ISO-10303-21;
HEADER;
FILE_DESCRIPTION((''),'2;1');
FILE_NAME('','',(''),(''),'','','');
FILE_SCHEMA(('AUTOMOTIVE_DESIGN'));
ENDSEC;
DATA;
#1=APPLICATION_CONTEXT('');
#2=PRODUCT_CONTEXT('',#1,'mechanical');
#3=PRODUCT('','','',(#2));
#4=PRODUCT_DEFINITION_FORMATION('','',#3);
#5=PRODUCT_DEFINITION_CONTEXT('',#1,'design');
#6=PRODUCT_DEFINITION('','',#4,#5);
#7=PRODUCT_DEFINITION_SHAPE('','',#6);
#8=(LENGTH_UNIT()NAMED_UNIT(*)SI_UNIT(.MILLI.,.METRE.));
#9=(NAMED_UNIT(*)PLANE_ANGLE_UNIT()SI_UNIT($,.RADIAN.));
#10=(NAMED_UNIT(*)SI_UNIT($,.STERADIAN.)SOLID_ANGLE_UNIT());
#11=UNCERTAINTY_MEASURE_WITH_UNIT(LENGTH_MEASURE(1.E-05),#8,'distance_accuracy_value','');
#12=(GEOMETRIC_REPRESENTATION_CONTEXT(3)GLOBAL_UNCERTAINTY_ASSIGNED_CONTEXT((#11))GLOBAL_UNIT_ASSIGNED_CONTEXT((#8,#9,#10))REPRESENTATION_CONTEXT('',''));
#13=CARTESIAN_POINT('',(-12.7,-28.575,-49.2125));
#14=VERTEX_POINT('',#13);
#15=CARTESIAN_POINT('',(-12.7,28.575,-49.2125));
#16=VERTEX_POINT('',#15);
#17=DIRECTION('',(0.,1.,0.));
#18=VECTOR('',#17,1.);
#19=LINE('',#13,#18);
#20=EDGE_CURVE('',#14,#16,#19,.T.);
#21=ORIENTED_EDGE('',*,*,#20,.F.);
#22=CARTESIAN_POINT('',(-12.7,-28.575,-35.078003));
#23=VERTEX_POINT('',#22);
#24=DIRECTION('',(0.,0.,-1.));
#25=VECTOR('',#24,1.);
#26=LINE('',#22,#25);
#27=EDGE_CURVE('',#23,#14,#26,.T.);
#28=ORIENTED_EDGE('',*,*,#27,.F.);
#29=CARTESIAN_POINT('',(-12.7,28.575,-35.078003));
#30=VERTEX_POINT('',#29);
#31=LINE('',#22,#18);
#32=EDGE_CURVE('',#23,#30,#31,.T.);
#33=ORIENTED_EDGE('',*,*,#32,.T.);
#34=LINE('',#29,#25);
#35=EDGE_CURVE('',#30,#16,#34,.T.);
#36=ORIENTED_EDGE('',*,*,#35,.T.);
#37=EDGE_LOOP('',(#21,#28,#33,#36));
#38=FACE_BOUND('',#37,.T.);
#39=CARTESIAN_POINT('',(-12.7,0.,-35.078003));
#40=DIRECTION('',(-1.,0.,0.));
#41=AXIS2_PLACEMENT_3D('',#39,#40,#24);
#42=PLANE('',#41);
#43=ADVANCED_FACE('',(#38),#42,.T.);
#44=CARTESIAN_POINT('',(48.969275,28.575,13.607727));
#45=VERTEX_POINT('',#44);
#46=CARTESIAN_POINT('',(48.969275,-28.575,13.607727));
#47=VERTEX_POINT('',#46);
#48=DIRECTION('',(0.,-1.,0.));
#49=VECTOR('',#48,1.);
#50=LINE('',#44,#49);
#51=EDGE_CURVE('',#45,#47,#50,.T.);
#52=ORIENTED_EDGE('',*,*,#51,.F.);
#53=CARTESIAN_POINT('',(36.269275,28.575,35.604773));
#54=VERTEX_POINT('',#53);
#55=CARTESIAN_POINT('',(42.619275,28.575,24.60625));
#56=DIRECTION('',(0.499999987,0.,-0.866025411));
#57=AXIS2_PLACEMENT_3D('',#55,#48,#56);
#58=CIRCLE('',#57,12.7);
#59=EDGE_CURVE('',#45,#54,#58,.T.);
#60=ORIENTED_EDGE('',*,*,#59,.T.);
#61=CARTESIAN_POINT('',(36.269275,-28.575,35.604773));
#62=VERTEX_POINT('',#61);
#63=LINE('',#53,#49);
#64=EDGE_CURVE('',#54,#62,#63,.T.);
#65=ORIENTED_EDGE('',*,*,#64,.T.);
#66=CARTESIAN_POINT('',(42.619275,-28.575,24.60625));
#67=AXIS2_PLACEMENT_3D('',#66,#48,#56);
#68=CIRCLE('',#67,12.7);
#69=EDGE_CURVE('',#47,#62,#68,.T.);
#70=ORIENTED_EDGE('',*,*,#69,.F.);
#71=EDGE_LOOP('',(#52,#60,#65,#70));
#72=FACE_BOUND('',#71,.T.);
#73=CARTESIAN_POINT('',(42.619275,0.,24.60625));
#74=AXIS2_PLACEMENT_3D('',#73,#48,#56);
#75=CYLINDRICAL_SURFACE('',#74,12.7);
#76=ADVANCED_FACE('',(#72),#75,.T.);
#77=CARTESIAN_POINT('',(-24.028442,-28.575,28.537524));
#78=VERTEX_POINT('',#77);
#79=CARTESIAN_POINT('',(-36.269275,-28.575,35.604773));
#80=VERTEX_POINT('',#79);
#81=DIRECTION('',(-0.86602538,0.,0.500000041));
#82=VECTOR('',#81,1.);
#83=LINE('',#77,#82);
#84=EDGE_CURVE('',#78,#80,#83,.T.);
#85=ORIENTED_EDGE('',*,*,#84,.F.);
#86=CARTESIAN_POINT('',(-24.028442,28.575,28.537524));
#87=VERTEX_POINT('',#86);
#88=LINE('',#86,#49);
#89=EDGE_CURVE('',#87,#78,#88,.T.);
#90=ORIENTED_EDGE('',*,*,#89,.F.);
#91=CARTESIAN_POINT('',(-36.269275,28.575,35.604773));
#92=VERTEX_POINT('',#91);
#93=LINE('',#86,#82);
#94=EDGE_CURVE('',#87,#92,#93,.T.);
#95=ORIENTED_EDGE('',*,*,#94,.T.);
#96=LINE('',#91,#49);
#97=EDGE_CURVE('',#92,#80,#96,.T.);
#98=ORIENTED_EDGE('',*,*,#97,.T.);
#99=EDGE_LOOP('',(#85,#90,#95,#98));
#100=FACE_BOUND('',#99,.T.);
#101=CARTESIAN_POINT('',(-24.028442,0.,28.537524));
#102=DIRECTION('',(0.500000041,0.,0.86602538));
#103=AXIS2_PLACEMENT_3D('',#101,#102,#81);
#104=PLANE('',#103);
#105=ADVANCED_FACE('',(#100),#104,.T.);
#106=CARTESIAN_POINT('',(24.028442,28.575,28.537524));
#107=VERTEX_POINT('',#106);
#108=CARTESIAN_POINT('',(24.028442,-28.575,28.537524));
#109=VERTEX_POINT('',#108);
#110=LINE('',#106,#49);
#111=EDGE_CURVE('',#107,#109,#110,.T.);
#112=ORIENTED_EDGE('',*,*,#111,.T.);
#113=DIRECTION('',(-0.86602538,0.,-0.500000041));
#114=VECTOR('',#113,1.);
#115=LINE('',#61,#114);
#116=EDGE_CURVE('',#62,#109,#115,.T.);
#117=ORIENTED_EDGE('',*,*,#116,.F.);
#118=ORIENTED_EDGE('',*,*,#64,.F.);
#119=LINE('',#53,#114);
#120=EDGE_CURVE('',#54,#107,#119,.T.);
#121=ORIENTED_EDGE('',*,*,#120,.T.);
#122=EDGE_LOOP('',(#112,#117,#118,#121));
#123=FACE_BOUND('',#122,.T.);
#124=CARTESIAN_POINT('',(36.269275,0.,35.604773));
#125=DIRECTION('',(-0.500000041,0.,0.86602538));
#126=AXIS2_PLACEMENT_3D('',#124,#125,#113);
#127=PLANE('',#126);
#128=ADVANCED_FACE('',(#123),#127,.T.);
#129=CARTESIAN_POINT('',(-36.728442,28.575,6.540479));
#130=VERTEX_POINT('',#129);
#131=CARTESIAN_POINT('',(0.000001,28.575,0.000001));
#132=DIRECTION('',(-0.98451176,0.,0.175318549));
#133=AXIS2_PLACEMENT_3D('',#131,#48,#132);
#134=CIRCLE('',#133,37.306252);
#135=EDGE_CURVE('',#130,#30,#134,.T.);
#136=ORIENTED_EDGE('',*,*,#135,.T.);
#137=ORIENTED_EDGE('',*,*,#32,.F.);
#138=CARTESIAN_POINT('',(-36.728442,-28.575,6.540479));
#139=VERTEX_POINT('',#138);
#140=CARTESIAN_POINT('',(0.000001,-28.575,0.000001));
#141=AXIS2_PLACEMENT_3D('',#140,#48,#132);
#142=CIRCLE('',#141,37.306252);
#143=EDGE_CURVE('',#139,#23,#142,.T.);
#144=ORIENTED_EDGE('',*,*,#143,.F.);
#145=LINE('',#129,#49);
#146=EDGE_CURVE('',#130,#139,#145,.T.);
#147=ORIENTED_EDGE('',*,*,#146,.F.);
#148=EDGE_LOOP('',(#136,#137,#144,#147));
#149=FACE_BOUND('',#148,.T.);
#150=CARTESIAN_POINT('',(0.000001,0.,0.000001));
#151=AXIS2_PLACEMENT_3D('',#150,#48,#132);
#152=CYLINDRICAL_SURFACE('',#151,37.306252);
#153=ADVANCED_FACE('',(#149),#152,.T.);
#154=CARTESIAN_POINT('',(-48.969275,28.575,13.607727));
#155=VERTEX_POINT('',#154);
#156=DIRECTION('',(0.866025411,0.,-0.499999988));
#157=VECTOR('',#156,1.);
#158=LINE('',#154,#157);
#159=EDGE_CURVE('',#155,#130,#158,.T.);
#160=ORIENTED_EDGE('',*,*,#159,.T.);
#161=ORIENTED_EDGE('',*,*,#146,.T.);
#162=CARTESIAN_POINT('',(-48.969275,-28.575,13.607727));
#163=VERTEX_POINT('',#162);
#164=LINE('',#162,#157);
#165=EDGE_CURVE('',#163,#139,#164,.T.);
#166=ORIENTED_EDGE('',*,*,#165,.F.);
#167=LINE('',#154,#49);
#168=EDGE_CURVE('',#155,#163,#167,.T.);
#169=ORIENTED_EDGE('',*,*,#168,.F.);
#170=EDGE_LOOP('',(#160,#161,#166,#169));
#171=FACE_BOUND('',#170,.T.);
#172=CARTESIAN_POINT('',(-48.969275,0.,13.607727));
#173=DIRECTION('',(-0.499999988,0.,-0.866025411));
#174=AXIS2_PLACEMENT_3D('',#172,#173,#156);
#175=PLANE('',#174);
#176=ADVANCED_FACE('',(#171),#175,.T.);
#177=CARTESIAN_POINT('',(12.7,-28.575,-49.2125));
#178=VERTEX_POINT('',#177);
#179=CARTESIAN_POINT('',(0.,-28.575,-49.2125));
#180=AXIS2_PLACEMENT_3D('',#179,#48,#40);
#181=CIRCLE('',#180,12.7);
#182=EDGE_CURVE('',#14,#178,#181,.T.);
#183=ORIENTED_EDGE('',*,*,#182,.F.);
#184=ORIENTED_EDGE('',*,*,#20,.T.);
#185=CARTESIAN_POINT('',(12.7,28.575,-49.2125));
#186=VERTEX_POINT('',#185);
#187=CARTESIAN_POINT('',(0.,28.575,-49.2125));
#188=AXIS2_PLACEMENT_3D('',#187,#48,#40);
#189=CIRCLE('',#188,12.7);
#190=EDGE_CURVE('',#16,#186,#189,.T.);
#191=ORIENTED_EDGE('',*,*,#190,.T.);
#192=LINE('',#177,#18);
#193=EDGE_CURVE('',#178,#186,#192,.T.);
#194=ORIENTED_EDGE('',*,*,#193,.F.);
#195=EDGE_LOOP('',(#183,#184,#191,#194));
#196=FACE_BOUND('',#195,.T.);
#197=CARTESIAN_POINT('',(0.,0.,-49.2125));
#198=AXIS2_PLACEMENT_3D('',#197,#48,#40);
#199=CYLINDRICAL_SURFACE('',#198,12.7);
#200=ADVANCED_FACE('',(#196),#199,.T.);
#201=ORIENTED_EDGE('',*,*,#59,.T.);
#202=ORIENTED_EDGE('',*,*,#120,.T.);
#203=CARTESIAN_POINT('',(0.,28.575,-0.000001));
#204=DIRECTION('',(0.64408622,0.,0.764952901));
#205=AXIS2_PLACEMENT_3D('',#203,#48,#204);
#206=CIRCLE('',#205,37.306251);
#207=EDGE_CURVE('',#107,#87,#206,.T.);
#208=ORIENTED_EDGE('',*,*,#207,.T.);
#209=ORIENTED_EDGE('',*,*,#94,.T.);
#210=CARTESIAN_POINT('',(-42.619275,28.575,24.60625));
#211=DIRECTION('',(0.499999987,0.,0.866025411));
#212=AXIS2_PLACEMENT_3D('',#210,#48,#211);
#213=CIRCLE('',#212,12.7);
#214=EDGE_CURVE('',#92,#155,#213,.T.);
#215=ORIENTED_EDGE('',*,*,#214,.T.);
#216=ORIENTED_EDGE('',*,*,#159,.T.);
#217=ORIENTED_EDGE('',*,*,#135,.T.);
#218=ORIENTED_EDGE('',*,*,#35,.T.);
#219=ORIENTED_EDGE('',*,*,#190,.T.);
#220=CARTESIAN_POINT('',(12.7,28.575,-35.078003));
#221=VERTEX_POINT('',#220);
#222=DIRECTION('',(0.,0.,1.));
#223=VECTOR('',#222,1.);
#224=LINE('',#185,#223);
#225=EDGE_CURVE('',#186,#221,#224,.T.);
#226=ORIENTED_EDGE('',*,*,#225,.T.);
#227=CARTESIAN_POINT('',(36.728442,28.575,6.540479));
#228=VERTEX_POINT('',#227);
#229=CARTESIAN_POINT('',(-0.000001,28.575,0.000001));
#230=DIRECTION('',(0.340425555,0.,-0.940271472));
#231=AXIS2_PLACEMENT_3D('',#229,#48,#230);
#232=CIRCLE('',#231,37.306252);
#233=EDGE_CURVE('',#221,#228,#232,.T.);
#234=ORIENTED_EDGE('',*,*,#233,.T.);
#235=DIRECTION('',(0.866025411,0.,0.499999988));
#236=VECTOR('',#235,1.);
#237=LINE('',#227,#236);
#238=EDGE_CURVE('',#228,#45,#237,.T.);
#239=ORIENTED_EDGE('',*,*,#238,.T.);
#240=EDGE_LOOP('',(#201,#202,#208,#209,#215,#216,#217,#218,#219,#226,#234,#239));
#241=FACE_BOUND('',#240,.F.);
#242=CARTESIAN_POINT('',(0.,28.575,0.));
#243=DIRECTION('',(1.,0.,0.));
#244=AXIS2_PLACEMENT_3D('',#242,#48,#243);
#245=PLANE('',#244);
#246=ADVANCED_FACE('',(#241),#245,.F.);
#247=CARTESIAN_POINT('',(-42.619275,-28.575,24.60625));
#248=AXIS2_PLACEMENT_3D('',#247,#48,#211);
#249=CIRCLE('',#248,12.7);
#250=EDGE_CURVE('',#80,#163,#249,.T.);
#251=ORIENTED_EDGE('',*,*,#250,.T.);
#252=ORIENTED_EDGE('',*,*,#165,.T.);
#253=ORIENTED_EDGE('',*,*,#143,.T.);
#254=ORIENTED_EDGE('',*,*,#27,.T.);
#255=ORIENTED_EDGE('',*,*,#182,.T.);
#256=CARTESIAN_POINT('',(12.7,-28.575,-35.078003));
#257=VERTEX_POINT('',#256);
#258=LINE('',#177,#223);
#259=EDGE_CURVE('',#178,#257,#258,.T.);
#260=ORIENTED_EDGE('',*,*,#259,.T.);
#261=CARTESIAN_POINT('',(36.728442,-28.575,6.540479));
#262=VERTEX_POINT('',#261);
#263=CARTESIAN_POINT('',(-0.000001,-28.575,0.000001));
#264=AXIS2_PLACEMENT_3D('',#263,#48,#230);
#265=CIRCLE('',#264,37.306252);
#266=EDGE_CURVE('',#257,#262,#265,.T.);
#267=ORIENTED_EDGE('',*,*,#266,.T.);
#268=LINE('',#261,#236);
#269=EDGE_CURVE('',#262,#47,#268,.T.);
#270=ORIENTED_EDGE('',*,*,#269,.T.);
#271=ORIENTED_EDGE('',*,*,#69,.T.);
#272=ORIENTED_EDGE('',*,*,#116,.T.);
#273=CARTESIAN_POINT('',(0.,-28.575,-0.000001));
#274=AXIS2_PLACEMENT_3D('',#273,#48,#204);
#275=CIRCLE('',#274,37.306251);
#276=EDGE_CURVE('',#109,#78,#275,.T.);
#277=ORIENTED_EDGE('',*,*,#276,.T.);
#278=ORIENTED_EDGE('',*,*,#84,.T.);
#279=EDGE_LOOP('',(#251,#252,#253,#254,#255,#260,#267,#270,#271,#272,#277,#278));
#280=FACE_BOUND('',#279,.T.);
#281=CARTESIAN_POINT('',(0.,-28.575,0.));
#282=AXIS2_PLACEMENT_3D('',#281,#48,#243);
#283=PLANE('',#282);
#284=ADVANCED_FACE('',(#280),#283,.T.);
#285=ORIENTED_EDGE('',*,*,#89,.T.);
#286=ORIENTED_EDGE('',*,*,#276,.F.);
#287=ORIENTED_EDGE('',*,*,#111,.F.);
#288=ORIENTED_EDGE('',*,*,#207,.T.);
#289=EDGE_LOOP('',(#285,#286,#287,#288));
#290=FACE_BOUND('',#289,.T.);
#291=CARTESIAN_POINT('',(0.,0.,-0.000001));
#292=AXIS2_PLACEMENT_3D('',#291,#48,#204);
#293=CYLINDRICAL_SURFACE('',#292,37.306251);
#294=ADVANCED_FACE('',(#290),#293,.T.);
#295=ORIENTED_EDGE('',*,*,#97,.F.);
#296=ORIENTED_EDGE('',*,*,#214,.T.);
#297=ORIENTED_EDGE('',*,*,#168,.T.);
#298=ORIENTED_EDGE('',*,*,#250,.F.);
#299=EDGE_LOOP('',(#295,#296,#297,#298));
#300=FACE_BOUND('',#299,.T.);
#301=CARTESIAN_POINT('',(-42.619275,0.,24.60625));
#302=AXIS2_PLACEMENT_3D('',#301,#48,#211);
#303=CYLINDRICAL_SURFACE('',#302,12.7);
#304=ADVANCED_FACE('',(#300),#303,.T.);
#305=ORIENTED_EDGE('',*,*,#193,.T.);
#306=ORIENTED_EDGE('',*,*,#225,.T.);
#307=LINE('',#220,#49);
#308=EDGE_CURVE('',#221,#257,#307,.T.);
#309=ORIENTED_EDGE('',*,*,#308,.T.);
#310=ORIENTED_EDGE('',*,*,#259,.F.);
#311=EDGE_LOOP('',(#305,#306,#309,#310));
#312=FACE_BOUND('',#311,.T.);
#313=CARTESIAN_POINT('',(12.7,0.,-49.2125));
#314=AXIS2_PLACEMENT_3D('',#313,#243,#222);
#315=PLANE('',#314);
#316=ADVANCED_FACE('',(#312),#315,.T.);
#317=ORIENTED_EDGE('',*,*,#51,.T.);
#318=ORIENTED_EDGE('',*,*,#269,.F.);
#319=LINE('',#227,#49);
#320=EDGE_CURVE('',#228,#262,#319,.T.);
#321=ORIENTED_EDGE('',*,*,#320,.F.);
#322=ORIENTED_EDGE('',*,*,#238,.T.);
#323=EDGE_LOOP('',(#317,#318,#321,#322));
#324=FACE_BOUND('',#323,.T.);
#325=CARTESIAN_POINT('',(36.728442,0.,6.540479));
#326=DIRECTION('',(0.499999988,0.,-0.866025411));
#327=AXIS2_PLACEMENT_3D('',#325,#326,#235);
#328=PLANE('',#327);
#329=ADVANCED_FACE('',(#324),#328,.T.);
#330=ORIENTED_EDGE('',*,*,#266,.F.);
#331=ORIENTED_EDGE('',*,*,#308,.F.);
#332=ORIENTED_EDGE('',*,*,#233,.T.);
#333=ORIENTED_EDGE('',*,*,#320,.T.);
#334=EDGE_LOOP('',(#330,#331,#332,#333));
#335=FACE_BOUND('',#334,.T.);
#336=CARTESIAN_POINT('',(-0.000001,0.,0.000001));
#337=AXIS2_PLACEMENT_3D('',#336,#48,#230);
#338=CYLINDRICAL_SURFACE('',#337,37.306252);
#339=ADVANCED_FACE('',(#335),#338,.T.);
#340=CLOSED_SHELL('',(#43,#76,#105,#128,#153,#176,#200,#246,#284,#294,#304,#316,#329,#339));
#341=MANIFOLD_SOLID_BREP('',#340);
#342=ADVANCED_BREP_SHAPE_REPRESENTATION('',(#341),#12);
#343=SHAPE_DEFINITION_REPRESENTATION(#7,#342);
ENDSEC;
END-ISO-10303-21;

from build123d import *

# Parameters (mm, degrees)
F1_DEPTH      = 28.575
F1_DEPTH_BACK = 28.575


with BuildPart() as f1:
    # F0 (on Front) → F1 (new body, two sides)
    with BuildSketch(Plane.XZ) as f1_sk:
        with BuildLine():
            Line((12.7, -49.2125), (12.7, -35.078003))
            ThreePointArc((12.7, -35.078003), (32.30816, -18.653125), (36.728442, 6.540479))
            Line((36.728442, 6.540479), (48.969275, 13.607727))
            ThreePointArc((48.969275, 13.607727), (53.617798, 30.95625), (36.269275, 35.604773))
            Line((36.269275, 35.604773), (24.028442, 28.537524))
            ThreePointArc((24.028442, 28.537524), (0, 37.30625), (-24.028442, 28.537524))
            Line((-24.028442, 28.537524), (-36.269275, 35.604773))
            ThreePointArc((-36.269275, 35.604773), (-53.617798, 30.95625), (-48.969275, 13.607727))
            Line((-48.969275, 13.607727), (-36.728442, 6.540479))
            ThreePointArc((-36.728442, 6.540479), (-32.30816, -18.653125), (-12.7, -35.078003))
            Line((-12.7, -35.078003), (-12.7, -49.2125))
            ThreePointArc((-12.7, -49.2125), (0, -61.9125), (12.7, -49.2125))
        make_face()
    extrude(amount=F1_DEPTH)
    extrude(f1_sk.sketch, amount=-F1_DEPTH_BACK)


solid = f1.part
